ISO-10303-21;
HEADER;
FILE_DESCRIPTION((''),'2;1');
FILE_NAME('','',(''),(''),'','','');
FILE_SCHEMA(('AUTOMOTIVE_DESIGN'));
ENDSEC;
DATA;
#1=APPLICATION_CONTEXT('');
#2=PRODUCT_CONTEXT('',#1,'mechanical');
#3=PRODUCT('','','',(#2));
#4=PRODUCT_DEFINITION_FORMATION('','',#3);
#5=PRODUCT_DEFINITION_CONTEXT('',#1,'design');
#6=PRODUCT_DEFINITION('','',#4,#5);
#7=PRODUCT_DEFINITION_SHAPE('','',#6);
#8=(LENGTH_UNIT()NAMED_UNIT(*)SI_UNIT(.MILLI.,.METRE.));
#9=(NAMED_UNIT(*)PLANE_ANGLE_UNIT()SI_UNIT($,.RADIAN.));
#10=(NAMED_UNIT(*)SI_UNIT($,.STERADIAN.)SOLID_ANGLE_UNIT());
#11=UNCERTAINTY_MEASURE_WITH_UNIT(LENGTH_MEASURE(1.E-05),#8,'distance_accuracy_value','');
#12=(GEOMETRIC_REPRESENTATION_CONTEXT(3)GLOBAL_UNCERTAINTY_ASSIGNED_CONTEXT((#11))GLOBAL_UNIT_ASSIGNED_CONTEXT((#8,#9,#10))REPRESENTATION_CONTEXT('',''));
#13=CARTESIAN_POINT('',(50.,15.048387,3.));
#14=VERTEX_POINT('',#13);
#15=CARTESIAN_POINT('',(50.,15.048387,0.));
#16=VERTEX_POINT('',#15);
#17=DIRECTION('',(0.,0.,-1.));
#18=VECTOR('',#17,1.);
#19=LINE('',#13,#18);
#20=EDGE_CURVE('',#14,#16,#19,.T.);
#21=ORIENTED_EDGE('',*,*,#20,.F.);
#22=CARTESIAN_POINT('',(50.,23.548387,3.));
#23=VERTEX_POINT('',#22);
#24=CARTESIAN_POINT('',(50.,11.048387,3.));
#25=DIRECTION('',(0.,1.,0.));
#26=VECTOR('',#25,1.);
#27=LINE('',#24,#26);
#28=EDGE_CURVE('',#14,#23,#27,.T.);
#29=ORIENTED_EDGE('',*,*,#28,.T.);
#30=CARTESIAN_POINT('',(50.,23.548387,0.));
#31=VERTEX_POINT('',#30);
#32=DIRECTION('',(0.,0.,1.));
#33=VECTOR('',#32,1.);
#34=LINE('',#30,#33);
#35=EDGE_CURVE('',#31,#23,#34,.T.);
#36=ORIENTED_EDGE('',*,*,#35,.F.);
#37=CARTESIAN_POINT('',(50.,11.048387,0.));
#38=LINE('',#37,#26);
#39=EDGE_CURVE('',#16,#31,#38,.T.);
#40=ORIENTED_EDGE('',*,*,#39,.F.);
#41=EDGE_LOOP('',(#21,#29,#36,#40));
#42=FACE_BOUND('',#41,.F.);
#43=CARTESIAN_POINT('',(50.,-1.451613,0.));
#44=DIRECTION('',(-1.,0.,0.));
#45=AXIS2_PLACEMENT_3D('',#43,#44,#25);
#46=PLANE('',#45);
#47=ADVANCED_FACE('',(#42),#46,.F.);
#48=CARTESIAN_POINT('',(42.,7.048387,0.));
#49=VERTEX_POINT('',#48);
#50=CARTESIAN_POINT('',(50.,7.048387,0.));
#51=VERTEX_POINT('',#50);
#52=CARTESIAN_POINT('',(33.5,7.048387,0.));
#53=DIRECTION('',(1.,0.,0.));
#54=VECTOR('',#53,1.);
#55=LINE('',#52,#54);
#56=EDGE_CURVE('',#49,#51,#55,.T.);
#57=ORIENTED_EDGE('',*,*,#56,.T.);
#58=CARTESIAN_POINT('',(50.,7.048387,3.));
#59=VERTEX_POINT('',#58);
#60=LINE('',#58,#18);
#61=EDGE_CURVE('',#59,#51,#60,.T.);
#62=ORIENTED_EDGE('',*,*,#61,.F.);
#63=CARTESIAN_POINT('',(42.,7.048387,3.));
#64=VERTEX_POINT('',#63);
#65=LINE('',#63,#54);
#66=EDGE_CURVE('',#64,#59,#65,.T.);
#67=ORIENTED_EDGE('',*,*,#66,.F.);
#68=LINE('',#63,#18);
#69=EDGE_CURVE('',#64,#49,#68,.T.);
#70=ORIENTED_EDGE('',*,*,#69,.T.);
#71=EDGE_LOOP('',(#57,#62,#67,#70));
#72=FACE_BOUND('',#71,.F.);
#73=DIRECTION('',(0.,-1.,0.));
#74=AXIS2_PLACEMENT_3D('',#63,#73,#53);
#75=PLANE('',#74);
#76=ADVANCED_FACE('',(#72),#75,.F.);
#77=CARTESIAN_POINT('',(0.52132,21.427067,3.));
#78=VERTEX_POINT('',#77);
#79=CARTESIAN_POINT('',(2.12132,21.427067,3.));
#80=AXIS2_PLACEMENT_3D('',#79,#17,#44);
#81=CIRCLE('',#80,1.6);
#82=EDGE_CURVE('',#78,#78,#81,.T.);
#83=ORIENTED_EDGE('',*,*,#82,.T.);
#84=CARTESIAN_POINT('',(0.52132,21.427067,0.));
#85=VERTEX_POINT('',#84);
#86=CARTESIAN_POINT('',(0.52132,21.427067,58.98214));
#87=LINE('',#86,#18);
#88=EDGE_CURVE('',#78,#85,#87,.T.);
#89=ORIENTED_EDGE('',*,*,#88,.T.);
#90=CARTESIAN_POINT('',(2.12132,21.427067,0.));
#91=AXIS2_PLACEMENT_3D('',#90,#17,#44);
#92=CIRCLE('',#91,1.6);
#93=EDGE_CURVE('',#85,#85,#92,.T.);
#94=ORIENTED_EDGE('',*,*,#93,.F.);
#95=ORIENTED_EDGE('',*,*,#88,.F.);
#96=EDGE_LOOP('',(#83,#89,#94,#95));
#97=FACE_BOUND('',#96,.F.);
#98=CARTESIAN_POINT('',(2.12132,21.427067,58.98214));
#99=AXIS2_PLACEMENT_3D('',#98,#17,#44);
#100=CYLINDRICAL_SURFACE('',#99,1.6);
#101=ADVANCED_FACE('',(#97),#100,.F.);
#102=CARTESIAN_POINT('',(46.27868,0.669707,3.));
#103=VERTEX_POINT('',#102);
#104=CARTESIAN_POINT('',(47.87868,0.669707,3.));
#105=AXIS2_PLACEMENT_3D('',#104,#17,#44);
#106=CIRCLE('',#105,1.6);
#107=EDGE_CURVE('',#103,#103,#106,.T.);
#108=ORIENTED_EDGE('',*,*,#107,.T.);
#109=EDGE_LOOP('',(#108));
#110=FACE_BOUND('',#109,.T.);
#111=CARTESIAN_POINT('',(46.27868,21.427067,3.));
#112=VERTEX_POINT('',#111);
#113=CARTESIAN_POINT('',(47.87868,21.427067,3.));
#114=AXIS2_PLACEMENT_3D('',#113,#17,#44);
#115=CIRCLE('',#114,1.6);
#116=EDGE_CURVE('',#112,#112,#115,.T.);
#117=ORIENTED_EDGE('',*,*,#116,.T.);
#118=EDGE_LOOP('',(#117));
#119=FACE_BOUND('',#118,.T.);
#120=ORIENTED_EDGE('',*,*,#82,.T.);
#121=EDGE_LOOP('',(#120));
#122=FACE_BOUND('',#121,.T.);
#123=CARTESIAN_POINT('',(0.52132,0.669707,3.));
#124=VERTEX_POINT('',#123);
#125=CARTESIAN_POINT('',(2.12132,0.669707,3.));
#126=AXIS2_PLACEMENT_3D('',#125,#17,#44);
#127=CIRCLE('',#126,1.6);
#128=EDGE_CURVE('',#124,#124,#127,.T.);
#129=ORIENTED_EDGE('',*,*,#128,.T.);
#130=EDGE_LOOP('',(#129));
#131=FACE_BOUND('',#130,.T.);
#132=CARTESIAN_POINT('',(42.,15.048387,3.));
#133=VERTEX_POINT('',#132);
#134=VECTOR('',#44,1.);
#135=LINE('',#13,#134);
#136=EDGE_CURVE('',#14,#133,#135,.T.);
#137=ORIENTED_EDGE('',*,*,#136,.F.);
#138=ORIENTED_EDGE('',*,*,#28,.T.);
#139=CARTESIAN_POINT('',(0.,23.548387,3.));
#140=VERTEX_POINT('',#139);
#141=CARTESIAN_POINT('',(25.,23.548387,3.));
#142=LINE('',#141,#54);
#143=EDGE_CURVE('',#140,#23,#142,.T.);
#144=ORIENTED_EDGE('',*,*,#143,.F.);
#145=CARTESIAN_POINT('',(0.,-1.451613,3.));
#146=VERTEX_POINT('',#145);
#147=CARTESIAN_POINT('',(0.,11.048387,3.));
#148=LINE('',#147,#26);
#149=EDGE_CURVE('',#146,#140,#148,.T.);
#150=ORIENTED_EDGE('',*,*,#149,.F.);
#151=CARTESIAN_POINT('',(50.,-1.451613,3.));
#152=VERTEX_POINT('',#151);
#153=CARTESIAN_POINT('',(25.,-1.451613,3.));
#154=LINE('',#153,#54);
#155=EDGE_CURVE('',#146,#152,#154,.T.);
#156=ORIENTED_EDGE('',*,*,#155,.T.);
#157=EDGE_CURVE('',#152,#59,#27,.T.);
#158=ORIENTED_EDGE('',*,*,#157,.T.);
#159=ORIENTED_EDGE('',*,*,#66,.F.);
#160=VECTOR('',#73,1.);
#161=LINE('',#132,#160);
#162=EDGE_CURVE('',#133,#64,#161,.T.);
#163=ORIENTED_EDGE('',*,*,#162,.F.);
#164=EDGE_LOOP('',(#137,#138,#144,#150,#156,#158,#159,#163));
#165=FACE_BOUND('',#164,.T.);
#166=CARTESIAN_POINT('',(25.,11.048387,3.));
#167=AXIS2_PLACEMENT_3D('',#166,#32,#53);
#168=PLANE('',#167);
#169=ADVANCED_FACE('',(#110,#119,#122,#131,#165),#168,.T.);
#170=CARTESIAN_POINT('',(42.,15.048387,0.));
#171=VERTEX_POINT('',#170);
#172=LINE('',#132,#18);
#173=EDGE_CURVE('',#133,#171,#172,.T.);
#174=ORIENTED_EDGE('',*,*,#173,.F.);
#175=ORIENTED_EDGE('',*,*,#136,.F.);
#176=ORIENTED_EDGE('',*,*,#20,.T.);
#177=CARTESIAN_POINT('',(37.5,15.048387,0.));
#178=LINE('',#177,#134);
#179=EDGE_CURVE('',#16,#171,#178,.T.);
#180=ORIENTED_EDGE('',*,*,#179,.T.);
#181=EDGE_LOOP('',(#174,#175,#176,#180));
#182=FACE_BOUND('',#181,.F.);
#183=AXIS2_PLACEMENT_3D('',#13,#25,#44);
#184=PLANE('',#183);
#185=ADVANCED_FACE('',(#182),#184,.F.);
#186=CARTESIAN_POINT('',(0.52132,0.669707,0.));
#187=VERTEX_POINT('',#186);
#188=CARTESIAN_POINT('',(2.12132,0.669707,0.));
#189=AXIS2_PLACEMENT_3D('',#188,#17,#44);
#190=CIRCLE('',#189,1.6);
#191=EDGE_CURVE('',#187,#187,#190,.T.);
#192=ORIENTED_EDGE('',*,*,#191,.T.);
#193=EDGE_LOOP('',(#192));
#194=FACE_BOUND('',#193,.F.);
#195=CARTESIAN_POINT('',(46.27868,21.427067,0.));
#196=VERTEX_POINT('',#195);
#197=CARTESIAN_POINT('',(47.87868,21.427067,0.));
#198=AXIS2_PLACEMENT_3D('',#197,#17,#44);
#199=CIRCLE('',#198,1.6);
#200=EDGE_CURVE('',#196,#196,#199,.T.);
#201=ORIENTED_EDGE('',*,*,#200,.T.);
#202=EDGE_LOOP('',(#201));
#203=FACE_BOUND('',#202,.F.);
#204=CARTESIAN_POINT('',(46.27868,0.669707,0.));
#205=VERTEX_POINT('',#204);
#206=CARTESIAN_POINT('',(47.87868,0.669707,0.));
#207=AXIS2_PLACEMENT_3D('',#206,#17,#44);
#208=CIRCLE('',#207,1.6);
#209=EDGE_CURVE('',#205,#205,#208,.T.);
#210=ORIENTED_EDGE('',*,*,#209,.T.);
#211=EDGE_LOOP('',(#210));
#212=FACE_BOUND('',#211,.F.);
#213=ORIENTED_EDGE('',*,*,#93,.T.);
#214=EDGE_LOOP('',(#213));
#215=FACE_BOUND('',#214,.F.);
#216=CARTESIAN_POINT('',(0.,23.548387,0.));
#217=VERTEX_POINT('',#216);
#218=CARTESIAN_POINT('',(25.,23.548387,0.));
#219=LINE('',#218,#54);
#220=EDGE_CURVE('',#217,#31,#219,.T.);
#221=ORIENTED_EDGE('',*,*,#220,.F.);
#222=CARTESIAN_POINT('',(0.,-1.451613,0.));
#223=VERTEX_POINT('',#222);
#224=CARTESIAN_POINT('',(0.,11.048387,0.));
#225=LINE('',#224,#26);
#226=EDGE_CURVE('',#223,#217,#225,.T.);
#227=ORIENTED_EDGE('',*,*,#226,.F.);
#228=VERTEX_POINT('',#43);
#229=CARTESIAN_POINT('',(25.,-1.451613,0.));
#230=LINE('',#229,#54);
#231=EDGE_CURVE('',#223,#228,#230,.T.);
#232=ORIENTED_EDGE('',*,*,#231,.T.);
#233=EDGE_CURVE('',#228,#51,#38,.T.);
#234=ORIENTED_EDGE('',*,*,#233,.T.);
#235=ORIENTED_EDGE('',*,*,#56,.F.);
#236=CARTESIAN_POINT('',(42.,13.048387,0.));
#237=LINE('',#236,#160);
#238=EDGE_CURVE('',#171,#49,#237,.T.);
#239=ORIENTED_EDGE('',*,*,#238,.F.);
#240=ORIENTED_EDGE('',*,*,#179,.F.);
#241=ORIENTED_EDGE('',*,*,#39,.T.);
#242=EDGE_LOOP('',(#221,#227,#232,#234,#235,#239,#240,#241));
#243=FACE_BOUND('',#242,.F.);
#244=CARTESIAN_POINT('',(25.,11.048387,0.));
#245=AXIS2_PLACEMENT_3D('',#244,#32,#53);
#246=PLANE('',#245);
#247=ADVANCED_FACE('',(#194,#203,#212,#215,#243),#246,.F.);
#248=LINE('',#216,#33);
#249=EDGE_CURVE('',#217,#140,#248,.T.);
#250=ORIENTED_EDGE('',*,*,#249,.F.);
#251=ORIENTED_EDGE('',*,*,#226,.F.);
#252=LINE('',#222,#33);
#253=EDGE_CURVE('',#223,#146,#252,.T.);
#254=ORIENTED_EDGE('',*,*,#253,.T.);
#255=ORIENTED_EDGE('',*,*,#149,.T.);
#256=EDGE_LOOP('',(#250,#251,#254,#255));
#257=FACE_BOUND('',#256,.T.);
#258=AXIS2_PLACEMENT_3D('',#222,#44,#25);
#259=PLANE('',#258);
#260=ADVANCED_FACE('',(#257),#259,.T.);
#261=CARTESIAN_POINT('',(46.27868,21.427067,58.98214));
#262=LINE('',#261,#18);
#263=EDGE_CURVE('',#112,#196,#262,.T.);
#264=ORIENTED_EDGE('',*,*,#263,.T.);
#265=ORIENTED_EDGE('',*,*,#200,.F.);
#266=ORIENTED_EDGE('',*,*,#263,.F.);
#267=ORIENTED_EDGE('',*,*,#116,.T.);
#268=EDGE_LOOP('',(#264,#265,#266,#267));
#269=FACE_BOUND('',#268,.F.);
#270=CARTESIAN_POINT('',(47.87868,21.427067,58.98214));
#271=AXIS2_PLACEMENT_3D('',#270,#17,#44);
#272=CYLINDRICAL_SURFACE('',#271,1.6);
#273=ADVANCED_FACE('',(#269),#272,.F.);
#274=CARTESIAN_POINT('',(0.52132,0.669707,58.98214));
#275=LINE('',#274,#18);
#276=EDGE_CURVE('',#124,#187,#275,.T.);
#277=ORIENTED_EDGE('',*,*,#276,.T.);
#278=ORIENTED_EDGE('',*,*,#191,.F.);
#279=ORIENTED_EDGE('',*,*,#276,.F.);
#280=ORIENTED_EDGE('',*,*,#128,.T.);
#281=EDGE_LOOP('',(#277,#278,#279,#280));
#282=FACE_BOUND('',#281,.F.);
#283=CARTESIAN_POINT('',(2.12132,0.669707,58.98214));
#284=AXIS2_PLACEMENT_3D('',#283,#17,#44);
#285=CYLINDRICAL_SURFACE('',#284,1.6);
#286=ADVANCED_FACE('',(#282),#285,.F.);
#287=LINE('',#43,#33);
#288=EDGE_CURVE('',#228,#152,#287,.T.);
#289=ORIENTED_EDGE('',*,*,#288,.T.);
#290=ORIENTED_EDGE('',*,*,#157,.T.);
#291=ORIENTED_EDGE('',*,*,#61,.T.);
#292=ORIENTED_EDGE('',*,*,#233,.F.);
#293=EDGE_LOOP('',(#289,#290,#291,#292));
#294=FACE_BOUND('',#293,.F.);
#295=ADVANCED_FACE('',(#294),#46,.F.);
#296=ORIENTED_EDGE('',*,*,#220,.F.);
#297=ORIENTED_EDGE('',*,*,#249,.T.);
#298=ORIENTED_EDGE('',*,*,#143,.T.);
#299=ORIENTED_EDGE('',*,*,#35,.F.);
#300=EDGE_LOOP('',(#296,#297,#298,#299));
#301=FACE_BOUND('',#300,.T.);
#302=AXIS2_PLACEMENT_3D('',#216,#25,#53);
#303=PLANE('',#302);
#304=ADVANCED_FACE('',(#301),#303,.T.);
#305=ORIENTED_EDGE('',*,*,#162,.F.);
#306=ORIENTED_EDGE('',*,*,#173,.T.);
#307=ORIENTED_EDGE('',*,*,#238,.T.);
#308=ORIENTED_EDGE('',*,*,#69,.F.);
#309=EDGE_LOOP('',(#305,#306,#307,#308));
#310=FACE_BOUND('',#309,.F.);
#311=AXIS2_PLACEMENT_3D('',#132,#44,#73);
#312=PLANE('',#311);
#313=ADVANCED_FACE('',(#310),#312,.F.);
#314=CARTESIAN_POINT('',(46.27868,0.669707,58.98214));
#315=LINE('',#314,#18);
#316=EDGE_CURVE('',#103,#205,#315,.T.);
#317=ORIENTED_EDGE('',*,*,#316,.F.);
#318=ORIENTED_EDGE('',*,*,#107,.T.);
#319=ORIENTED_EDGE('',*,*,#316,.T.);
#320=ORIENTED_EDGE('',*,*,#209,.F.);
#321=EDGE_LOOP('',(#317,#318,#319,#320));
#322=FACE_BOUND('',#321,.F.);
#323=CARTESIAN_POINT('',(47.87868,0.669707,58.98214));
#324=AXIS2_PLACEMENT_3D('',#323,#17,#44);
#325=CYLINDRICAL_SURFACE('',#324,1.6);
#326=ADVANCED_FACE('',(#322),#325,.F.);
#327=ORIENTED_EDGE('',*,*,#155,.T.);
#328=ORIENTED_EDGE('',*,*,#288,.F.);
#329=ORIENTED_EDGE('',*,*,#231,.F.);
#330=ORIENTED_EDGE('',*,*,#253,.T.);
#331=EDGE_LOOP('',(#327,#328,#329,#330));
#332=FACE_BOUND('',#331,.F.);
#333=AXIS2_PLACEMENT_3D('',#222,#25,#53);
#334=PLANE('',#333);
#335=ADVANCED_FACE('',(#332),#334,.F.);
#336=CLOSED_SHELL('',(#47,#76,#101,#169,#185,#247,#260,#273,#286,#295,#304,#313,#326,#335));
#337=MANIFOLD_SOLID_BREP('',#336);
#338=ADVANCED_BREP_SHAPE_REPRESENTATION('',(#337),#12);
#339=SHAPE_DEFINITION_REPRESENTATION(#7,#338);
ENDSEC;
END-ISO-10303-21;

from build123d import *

# Parameters (mm, degrees)
F0_W     = 50
F0_H     = 25
F1_DEPTH = 3
F3_D     = 3.2
F5_DEPTH = 25


with BuildPart() as f1:
    # F0 (on Top) → F1 (new body)
    with BuildSketch(Plane.XY):
        with Locations((25, 11.048387)):
            Rectangle(F0_W, F0_H)
    extrude(amount=F1_DEPTH)

    # F3 (through all)
    with Locations(Plane.XY.offset(3)):
        with Locations((2.12132, 21.427067), (47.87868, 21.427067), (47.87868, 0.669707), (2.12132, 0.669707)):
            Hole(F3_D / 2)

    # F4 (on face) → F5 (cut)
    with BuildSketch(Plane.XY.offset(3)):
        Polygon((50, 7.048387), (50, 11.048387), (50, 15.048387), (42, 15.048387), (42, 7.048387), align=None)
    extrude(amount=-F5_DEPTH, mode=Mode.SUBTRACT)


solid = f1.part
